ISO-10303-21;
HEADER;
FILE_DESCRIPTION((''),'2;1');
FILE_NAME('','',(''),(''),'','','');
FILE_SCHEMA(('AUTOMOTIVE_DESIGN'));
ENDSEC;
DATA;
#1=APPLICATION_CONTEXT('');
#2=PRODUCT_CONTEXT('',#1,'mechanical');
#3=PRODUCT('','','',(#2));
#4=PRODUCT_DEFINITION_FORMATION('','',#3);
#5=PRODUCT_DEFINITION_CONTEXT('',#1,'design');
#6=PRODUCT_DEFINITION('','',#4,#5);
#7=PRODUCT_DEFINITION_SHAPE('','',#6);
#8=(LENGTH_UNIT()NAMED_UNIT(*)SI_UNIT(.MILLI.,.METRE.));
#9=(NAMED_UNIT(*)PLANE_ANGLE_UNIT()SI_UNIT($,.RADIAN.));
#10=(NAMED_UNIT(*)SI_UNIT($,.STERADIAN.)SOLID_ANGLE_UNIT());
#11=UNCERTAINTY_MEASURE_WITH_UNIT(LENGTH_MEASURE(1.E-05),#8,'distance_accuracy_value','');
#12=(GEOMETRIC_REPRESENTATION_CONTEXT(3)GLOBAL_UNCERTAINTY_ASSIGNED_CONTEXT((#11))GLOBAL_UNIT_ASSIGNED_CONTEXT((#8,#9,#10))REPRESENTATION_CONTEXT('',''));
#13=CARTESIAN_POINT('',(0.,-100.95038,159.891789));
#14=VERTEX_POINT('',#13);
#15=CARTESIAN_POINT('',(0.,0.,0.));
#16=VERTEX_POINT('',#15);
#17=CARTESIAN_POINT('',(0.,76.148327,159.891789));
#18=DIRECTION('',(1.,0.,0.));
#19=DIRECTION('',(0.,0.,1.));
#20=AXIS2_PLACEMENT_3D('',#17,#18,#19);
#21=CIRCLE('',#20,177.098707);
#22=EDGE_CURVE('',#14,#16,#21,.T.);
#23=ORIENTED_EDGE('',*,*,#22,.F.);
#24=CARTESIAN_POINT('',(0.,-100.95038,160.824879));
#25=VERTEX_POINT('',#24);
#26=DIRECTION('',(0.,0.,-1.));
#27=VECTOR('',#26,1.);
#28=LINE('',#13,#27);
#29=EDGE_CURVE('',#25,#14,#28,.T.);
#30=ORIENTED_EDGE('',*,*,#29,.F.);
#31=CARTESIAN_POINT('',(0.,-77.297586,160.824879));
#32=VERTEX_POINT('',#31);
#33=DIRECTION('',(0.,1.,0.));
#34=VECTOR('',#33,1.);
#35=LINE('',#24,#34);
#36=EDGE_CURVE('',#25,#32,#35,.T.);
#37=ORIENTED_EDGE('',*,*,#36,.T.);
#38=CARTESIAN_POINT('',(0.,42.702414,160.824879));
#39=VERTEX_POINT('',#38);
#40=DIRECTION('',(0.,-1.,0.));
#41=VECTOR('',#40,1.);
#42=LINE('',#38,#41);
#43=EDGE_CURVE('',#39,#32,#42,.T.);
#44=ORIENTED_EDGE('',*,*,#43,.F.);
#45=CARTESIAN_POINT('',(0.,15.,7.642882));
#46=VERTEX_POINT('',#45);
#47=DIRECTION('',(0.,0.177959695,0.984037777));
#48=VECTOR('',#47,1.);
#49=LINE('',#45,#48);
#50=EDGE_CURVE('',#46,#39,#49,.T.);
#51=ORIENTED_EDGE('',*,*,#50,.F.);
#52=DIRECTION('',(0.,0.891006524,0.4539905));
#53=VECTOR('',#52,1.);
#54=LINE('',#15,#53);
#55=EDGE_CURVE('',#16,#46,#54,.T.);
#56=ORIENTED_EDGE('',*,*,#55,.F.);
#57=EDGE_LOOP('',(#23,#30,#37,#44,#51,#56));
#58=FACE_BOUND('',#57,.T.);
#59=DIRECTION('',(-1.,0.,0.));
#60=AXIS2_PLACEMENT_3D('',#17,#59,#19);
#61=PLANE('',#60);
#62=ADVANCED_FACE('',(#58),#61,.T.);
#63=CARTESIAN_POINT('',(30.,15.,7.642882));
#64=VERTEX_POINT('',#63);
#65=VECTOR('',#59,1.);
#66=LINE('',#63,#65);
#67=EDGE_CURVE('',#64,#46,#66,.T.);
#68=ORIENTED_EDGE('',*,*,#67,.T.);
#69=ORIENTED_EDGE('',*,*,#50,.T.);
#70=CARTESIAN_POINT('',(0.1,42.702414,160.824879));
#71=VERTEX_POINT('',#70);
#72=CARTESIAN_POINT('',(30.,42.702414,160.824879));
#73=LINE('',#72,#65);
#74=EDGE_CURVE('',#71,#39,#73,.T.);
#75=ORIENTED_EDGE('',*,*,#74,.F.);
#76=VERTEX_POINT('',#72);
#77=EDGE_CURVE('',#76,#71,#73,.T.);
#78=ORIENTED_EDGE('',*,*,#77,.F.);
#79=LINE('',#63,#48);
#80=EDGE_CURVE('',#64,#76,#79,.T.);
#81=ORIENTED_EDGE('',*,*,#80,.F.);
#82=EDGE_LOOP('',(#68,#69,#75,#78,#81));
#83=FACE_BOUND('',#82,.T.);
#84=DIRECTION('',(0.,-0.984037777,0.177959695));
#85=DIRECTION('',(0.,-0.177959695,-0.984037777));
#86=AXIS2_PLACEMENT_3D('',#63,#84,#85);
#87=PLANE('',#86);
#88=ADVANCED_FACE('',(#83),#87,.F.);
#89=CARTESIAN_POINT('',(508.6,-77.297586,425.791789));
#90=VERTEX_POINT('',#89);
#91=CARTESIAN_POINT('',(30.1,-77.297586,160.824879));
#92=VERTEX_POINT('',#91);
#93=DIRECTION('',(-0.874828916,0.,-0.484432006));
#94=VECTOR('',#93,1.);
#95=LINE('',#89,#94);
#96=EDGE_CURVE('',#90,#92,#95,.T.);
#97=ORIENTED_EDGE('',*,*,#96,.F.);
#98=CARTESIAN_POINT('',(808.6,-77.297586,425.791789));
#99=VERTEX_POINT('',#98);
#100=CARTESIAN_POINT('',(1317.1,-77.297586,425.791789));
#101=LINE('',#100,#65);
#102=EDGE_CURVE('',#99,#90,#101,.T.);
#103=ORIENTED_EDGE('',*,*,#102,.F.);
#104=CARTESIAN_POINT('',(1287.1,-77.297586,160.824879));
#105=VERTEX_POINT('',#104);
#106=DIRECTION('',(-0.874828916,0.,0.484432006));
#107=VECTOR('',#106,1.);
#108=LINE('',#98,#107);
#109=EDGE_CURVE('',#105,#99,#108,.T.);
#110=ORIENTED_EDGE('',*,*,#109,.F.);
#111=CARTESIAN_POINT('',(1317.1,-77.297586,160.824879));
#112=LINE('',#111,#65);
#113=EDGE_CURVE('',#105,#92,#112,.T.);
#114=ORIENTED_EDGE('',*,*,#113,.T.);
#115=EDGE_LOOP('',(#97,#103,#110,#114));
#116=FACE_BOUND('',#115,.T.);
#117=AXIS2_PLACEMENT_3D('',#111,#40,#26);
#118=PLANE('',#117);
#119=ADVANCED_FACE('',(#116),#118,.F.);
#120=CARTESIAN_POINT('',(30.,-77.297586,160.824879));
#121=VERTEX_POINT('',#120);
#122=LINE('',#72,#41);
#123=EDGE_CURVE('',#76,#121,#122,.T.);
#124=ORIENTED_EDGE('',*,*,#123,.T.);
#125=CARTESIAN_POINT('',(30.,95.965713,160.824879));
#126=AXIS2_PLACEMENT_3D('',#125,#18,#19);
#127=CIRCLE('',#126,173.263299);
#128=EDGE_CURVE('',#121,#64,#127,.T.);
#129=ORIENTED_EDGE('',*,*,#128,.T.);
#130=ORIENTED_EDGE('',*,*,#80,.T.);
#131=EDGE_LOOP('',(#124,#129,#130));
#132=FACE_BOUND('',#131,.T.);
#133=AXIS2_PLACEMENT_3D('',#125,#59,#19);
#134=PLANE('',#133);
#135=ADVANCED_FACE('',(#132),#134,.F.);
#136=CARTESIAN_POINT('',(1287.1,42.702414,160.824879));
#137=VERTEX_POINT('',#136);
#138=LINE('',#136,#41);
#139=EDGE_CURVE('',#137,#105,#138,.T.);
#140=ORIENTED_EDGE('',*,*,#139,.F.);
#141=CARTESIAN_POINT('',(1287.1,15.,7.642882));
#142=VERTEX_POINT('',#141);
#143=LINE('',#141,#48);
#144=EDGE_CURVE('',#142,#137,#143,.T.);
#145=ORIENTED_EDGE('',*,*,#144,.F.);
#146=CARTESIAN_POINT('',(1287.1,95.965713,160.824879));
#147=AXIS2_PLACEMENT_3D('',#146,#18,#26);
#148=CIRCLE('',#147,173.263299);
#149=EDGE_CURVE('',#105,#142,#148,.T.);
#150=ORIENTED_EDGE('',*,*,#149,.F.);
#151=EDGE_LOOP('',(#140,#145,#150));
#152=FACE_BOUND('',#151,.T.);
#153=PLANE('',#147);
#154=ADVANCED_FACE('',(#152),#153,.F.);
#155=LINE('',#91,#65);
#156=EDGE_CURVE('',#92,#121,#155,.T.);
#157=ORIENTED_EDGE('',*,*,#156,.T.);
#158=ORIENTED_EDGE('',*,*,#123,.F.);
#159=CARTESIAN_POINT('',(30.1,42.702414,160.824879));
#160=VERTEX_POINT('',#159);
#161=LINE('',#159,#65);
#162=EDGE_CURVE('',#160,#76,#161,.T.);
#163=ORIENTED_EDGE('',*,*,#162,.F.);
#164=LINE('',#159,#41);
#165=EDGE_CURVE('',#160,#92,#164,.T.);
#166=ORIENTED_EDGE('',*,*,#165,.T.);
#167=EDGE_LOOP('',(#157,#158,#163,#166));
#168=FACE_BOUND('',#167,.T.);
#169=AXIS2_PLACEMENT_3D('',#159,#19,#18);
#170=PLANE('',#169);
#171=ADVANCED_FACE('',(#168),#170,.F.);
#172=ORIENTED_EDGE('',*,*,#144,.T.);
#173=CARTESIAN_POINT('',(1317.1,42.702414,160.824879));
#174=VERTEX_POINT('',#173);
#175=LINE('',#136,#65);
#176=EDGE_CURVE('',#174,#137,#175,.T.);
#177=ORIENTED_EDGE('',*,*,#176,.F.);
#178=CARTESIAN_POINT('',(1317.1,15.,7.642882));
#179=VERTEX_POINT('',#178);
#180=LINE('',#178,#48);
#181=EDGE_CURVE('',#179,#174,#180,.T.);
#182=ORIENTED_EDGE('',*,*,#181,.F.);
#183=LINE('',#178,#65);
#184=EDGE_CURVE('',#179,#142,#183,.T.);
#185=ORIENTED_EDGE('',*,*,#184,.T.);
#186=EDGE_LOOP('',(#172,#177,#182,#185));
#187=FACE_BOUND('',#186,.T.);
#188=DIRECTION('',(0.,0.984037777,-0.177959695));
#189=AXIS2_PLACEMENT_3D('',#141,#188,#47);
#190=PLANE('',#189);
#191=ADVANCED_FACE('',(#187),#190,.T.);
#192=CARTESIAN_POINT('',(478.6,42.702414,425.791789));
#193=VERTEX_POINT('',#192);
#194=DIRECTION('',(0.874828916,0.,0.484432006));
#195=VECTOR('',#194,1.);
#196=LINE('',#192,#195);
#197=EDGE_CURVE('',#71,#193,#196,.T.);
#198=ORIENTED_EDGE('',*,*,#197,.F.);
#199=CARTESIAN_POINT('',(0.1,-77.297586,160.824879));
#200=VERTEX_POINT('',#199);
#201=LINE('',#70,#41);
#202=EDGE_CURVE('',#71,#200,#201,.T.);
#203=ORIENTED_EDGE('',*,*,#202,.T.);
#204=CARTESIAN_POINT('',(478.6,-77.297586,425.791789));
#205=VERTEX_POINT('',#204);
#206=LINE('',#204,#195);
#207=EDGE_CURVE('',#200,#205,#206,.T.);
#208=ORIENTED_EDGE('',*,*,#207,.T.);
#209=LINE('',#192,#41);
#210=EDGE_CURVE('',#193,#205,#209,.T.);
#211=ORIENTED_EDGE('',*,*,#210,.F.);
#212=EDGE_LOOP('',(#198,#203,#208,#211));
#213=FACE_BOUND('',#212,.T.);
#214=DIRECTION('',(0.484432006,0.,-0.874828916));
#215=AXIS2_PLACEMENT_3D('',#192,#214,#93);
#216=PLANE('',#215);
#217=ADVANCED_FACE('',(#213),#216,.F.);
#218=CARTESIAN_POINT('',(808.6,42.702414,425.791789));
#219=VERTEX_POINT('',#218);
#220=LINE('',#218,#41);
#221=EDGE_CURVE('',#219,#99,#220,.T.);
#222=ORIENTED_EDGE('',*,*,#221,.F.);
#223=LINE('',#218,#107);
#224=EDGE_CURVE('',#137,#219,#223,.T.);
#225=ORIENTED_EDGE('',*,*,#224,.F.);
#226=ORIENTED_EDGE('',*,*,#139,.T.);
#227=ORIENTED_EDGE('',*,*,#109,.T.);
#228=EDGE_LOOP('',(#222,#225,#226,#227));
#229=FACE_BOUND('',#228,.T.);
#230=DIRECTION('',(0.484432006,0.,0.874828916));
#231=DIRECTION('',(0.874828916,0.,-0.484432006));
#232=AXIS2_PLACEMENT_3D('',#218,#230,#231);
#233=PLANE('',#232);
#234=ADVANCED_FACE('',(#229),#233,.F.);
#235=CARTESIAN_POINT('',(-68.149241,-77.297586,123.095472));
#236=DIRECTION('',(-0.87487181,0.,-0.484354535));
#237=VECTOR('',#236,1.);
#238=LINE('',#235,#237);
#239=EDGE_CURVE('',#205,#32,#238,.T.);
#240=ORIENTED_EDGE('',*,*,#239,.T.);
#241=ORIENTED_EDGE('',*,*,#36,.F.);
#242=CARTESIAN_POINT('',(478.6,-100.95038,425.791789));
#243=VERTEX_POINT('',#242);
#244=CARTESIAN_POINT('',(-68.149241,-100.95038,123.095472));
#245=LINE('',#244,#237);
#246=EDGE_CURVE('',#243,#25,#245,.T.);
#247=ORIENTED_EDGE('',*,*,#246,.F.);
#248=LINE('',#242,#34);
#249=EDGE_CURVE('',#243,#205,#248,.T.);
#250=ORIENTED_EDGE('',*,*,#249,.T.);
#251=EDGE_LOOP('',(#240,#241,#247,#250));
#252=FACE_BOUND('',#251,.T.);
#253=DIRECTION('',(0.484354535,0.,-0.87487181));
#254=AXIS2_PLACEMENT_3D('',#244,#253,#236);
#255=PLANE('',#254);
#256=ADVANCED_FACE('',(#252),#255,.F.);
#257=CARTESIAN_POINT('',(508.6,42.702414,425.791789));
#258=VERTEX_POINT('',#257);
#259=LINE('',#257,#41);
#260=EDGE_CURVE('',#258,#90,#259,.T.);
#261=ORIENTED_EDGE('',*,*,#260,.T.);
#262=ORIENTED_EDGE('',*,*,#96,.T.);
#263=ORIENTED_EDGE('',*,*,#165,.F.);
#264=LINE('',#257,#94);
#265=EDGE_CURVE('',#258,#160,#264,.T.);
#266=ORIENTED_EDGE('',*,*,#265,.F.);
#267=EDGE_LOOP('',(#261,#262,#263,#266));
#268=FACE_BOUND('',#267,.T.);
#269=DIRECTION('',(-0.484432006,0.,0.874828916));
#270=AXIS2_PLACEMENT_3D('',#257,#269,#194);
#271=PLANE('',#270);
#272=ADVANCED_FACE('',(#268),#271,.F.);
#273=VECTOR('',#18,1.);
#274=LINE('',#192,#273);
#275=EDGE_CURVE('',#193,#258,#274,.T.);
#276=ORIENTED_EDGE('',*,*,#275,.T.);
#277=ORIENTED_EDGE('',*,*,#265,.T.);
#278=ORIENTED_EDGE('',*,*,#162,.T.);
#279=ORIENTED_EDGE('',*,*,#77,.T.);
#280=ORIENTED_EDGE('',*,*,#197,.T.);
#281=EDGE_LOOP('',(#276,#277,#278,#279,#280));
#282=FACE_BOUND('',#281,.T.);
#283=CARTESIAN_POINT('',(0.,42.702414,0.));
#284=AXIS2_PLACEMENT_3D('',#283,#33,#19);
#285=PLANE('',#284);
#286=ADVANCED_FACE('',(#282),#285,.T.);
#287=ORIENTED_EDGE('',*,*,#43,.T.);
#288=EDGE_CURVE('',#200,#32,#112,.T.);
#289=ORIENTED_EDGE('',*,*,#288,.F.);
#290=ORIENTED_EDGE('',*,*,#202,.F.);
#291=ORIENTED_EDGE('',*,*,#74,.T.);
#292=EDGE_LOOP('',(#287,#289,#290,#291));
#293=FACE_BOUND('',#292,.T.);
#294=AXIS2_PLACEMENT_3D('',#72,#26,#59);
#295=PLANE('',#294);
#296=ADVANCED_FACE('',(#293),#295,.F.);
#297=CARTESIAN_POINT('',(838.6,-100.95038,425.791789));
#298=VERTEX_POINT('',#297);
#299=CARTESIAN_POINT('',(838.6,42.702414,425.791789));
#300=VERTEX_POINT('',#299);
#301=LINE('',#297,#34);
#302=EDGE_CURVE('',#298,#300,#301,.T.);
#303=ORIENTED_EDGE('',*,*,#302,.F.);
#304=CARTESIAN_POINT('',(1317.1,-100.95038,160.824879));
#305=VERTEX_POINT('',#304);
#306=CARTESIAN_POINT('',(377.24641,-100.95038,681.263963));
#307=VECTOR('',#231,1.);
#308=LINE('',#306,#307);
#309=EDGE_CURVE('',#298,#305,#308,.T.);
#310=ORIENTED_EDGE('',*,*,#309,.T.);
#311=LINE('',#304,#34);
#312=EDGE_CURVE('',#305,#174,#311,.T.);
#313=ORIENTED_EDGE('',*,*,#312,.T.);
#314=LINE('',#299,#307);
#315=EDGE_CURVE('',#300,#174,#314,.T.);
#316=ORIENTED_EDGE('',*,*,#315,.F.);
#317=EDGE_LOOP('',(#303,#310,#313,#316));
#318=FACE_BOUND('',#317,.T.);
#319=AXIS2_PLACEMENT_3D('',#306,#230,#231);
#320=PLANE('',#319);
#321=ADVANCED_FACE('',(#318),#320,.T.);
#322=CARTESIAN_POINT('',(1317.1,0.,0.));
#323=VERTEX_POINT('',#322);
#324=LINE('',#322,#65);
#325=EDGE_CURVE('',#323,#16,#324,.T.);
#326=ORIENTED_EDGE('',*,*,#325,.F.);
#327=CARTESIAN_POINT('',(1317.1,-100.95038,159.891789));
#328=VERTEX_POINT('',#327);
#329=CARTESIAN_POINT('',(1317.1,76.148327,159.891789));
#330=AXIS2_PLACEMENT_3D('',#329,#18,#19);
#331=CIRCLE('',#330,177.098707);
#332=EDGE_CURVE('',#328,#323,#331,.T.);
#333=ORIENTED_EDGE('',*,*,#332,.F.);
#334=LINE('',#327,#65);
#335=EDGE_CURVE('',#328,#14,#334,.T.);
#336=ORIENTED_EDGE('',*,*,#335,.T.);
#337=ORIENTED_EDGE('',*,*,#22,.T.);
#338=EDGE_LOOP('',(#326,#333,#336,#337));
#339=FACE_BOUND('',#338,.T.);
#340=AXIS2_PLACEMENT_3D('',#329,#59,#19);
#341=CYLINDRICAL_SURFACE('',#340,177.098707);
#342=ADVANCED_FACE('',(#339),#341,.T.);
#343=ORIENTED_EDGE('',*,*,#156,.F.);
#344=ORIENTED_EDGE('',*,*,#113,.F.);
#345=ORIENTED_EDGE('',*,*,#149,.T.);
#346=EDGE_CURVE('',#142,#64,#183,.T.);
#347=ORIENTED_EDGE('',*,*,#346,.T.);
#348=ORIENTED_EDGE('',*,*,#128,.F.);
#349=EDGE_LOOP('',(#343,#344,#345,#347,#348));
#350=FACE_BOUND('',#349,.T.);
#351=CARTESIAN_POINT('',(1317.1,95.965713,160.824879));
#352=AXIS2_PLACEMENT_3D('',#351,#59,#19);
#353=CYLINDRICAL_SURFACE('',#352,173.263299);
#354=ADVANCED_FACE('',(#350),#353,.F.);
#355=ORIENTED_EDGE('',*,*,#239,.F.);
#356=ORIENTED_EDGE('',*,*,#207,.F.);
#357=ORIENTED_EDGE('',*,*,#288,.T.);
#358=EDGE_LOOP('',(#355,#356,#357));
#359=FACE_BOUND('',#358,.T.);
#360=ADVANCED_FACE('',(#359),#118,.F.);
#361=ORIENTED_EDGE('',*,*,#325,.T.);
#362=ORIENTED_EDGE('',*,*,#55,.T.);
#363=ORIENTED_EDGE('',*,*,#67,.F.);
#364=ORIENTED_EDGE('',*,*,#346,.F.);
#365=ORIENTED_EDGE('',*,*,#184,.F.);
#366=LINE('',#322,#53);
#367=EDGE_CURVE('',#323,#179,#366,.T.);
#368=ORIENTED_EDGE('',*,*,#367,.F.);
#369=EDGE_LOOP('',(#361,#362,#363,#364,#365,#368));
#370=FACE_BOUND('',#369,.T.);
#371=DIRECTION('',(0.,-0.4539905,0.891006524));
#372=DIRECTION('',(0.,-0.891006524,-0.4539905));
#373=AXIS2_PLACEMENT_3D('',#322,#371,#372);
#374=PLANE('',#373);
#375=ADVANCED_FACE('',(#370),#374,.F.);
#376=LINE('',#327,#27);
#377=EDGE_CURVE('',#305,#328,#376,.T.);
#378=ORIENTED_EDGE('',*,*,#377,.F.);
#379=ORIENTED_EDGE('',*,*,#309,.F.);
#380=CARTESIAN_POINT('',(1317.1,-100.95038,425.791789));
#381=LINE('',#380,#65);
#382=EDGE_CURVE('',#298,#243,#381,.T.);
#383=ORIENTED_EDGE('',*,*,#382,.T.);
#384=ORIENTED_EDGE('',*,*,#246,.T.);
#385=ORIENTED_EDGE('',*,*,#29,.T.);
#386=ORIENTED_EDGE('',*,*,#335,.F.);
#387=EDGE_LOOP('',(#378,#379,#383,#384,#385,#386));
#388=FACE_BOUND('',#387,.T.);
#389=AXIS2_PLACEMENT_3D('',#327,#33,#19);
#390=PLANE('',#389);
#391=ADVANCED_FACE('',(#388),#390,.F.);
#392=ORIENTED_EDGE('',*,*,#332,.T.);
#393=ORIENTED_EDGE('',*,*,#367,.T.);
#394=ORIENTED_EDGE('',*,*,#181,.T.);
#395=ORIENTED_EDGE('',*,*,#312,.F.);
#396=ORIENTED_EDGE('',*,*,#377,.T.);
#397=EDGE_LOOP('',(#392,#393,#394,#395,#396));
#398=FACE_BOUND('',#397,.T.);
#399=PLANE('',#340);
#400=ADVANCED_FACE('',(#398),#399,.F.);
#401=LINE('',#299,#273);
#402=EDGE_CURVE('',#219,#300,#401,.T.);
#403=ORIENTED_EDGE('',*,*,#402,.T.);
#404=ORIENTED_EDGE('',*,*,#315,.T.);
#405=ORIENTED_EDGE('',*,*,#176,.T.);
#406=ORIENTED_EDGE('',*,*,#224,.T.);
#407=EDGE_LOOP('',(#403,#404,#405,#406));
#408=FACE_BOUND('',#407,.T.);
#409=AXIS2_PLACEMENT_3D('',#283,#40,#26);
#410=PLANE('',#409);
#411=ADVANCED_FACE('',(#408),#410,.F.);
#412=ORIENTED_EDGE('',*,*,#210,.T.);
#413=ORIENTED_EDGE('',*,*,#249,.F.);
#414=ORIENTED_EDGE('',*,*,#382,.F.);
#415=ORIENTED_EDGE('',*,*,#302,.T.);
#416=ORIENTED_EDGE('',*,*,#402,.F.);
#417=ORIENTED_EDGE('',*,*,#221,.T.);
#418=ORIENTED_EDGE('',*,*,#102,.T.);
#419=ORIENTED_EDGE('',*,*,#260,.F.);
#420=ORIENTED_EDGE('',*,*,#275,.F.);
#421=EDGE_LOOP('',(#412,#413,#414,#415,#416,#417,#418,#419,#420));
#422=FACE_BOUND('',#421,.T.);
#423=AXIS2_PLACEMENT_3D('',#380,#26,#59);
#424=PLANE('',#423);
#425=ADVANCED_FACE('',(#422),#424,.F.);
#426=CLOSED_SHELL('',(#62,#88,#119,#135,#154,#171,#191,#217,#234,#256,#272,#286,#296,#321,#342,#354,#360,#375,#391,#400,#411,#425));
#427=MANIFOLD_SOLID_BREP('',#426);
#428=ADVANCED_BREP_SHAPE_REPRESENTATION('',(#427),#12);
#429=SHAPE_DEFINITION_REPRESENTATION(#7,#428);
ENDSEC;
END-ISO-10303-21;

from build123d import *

# Parameters (mm, degrees)
BOSS_EXTRUDE1_DEPTH = 1317.1
CUT_EXTRUDE3_DEPTH  = 1388.288687357
BOSS_EXTRUDE5_DEPTH = 120
BOSS_EXTRUDE6_DEPTH = 30
BOSS_EXTRUDE7_START = -30
BOSS_EXTRUDE7_DEPTH = 30


with BuildPart() as part:
    # Sketch4 → Boss-Extrude1 (new body)
    with BuildSketch(Plane(origin=(0, 0, 0), x_dir=(0, 0, -1), z_dir=(1, 0, 0))):
        with BuildLine():
            Line((-159.891789037, -100.950379886), (-425.791789037, -100.950379886))
            Line((-425.791789037, -100.950379886), (-425.791789037, -77.297586412))
            Line((-425.791789037, -77.297586412), (-160.824878808, -77.297586412))
            ThreePointArc((-160.824878808, -77.297586412), (-71.405126121, -52.440077817), (-7.642881742, 15))
            Line((-7.642881742, 15), (0, 0))
            ThreePointArc((0, 0), (-65.345023624, -73.601000579), (-159.891789037, -100.950379886))
        make_face()
    extrude(amount=BOSS_EXTRUDE1_DEPTH)

    # Sketch10 → Cut-Extrude3 (cut, through all)
    with BuildSketch(Plane(origin=(0, -77.297586412, 0), x_dir=(1, 0, 0), z_dir=(0, 1, 0))):
        Polygon((0, -425.791789037), (478.6, -425.791789037), (0, -160.824878808), align=None)
        Polygon((1317.1, -160.824878808), (838.6, -425.791789037), (1317.1, -425.791789037), align=None)
    extrude(amount=-CUT_EXTRUDE3_DEPTH, mode=Mode.SUBTRACT)

    # Sketch11 → Boss-Extrude5 (add)
    with BuildSketch(Plane(origin=(0, -77.297586412, 0), x_dir=(1, 0, 0), z_dir=(0, 1, 0))):
        Polygon((838.6, -425.791789037), (808.6, -425.791789037), (1287.1, -160.824878808), (1317.1, -160.824878808), align=None)
        Polygon((478.6, -425.791789037), (508.6, -425.791789037), (30.1, -160.824878808), (0.1, -160.824878808), align=None)
    extrude(amount=BOSS_EXTRUDE5_DEPTH)

    # Sketch13 → Boss-Extrude6 (add)
    with BuildSketch(Plane(origin=(0, 0, 0), x_dir=(0, 0, -1), z_dir=(1, 0, 0))):
        with BuildLine():
            Line((-7.642881742, 15), (-160.824878808, 42.702413588))
            Line((-160.824878808, 42.702413588), (-160.824878808, -77.297586412))
            ThreePointArc((-160.824878808, -77.297586412), (-71.405126121, -52.440077817), (-7.642881742, 15))
        make_face()
    extrude(amount=BOSS_EXTRUDE6_DEPTH)

    # Sketch12 → Boss-Extrude7 (add)
    with BuildSketch(Plane(origin=(1317.1, 0, 0), x_dir=(0, 0, -1), z_dir=(1, 0, 0)).offset(BOSS_EXTRUDE7_START)):
        with BuildLine():
            Line((-7.642881742, 15), (-160.824878808, 42.702413588))
            Line((-160.824878808, 42.702413588), (-160.824878808, -77.297586412))
            ThreePointArc((-160.824878808, -77.297586412), (-71.405126121, -52.440077817), (-7.642881742, 15))
        make_face()
    extrude(amount=BOSS_EXTRUDE7_DEPTH)


solid = part.part
